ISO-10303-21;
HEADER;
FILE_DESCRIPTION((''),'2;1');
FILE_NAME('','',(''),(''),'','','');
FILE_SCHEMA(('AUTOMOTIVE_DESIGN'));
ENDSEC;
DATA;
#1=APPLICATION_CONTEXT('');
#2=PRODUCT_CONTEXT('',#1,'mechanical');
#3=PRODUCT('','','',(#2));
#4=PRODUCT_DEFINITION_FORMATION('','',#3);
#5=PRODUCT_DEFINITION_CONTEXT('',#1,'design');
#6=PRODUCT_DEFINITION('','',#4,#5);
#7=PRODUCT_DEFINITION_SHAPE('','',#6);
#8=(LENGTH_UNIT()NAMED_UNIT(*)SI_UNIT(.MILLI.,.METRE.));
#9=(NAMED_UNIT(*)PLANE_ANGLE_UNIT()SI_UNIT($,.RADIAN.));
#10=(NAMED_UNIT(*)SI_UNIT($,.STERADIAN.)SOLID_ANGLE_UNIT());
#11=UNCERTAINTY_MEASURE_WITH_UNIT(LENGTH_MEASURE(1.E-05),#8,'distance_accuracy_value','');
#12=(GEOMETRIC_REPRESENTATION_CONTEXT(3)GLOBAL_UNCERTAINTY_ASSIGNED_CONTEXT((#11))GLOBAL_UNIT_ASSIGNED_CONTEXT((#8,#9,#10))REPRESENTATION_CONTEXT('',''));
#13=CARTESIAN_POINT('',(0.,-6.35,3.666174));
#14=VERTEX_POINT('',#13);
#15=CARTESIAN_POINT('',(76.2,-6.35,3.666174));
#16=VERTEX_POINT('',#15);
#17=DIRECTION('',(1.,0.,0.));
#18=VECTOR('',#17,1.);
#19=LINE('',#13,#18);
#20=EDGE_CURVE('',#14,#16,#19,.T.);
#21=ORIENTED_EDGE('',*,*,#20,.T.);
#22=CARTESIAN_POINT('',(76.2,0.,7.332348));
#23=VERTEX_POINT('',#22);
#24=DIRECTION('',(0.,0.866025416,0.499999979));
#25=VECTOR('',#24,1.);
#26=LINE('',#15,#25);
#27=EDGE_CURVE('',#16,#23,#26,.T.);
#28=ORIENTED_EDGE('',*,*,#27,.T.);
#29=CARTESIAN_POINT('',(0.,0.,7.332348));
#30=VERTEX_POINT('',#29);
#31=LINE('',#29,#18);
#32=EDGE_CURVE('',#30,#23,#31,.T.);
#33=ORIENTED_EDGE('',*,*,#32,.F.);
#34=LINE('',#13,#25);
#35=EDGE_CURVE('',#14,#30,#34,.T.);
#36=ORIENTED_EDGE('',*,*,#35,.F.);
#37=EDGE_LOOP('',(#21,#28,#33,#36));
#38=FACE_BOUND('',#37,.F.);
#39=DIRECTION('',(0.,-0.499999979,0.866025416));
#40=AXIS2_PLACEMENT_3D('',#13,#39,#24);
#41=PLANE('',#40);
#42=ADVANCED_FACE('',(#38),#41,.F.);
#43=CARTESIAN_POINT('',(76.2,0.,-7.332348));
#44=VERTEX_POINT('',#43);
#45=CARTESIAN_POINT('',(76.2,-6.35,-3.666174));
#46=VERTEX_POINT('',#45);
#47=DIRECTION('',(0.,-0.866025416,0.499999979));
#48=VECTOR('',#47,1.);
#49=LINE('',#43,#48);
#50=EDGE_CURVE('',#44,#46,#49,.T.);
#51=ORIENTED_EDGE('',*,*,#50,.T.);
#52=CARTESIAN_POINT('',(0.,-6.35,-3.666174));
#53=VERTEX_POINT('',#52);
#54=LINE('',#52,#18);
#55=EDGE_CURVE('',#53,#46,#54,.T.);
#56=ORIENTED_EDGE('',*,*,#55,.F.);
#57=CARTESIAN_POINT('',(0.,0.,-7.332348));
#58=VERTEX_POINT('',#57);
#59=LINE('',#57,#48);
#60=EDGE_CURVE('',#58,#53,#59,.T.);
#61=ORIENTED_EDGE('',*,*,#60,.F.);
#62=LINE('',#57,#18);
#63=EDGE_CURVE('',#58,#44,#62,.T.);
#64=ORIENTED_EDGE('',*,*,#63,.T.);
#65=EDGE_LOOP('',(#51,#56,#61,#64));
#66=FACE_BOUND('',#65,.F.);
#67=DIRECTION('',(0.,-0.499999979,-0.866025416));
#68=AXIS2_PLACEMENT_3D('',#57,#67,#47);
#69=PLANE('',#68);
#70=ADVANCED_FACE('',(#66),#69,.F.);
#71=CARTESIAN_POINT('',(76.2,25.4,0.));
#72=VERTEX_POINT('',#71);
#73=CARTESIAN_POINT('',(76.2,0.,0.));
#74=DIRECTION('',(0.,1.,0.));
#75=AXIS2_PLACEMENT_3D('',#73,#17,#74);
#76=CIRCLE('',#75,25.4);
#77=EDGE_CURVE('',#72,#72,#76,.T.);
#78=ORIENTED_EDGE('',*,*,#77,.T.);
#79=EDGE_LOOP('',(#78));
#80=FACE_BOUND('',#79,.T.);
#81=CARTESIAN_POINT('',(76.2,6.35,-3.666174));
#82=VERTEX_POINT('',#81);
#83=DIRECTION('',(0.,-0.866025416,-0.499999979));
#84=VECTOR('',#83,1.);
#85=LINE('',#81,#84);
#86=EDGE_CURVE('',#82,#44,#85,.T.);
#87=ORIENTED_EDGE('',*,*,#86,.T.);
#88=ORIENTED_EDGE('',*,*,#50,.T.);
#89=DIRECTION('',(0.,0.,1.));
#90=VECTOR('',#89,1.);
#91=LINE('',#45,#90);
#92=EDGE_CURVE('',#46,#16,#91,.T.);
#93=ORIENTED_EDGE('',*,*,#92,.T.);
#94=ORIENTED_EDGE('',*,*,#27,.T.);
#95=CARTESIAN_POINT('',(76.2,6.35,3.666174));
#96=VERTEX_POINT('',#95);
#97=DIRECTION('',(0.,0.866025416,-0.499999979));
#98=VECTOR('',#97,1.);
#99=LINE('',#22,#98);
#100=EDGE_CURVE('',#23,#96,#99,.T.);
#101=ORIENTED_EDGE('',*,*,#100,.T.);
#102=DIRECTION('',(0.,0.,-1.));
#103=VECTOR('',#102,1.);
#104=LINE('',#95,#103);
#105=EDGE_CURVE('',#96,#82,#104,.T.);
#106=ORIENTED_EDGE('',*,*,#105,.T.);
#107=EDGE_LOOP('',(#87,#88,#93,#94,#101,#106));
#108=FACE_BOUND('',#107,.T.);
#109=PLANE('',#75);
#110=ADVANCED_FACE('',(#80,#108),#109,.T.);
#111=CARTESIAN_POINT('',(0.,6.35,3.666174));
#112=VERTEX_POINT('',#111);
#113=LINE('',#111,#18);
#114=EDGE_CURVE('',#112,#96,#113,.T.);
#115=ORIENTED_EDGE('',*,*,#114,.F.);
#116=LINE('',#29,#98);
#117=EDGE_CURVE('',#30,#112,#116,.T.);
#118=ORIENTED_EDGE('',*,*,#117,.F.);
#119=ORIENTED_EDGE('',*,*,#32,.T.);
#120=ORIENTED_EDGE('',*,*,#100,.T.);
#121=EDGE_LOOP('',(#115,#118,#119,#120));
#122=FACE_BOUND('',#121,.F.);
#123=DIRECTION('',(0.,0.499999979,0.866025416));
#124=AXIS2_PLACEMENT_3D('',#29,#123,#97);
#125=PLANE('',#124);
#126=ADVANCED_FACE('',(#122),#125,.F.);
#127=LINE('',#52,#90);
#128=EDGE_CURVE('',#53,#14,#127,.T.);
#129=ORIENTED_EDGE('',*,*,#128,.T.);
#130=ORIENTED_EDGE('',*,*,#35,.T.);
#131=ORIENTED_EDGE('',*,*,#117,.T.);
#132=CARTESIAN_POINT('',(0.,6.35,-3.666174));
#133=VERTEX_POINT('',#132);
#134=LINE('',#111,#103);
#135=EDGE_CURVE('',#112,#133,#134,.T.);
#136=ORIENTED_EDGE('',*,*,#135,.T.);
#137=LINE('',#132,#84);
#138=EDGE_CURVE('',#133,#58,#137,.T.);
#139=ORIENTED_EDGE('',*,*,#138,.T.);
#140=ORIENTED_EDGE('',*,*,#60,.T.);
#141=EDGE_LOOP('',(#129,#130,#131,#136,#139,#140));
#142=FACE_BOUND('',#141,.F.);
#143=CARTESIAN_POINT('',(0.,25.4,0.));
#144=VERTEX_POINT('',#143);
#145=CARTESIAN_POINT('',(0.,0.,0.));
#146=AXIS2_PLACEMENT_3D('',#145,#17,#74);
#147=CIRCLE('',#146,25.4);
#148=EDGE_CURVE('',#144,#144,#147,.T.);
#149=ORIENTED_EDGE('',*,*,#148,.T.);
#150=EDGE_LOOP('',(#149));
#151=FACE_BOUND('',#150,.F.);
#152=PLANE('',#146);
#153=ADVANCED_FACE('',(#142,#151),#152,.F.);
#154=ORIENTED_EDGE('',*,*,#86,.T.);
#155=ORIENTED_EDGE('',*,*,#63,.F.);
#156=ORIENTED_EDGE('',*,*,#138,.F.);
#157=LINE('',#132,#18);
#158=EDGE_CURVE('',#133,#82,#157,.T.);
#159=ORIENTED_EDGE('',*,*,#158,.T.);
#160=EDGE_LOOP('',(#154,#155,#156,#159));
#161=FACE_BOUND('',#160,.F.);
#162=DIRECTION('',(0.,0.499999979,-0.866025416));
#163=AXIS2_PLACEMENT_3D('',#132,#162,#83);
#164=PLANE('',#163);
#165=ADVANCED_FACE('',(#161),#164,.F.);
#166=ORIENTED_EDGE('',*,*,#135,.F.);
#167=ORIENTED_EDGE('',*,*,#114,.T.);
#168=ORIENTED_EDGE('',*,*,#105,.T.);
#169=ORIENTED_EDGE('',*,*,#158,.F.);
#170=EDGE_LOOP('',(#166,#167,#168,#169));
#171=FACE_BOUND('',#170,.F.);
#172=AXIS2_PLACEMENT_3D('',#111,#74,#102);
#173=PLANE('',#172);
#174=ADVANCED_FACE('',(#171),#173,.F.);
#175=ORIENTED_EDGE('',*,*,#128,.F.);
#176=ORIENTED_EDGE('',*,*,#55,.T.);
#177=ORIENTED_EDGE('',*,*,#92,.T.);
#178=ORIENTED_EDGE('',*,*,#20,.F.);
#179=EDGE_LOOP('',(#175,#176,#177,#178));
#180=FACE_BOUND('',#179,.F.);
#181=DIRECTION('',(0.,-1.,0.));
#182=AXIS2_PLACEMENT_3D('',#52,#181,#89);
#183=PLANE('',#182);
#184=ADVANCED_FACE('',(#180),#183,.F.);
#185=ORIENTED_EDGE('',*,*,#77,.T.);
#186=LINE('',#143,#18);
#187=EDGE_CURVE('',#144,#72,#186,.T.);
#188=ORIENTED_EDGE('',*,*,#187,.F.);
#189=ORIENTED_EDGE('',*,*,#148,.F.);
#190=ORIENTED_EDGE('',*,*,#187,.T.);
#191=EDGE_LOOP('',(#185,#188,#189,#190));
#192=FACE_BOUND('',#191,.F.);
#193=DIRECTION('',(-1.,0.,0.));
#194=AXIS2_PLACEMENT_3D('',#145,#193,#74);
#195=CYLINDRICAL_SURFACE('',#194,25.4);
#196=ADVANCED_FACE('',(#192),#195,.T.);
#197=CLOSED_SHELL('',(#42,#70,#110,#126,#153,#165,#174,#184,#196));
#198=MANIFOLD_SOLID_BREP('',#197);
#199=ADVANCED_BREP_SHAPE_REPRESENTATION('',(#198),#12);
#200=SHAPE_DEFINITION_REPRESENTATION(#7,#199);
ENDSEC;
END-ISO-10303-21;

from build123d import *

# Parameters (mm, degrees)
F0_R     = 25.4
F1_DEPTH = 76.2


with BuildPart() as f1:
    # F0 (on Right) → F1 (new body)
    with BuildSketch(Plane.YZ):
        Circle(F0_R)
        Polygon((0, 7.332348), (6.35, 3.666174), (6.35, -3.666174), (0, -7.332348), (-6.35, -3.666174), (-6.35, 3.666174), align=None, mode=Mode.SUBTRACT)
    extrude(amount=F1_DEPTH)


solid = f1.part
